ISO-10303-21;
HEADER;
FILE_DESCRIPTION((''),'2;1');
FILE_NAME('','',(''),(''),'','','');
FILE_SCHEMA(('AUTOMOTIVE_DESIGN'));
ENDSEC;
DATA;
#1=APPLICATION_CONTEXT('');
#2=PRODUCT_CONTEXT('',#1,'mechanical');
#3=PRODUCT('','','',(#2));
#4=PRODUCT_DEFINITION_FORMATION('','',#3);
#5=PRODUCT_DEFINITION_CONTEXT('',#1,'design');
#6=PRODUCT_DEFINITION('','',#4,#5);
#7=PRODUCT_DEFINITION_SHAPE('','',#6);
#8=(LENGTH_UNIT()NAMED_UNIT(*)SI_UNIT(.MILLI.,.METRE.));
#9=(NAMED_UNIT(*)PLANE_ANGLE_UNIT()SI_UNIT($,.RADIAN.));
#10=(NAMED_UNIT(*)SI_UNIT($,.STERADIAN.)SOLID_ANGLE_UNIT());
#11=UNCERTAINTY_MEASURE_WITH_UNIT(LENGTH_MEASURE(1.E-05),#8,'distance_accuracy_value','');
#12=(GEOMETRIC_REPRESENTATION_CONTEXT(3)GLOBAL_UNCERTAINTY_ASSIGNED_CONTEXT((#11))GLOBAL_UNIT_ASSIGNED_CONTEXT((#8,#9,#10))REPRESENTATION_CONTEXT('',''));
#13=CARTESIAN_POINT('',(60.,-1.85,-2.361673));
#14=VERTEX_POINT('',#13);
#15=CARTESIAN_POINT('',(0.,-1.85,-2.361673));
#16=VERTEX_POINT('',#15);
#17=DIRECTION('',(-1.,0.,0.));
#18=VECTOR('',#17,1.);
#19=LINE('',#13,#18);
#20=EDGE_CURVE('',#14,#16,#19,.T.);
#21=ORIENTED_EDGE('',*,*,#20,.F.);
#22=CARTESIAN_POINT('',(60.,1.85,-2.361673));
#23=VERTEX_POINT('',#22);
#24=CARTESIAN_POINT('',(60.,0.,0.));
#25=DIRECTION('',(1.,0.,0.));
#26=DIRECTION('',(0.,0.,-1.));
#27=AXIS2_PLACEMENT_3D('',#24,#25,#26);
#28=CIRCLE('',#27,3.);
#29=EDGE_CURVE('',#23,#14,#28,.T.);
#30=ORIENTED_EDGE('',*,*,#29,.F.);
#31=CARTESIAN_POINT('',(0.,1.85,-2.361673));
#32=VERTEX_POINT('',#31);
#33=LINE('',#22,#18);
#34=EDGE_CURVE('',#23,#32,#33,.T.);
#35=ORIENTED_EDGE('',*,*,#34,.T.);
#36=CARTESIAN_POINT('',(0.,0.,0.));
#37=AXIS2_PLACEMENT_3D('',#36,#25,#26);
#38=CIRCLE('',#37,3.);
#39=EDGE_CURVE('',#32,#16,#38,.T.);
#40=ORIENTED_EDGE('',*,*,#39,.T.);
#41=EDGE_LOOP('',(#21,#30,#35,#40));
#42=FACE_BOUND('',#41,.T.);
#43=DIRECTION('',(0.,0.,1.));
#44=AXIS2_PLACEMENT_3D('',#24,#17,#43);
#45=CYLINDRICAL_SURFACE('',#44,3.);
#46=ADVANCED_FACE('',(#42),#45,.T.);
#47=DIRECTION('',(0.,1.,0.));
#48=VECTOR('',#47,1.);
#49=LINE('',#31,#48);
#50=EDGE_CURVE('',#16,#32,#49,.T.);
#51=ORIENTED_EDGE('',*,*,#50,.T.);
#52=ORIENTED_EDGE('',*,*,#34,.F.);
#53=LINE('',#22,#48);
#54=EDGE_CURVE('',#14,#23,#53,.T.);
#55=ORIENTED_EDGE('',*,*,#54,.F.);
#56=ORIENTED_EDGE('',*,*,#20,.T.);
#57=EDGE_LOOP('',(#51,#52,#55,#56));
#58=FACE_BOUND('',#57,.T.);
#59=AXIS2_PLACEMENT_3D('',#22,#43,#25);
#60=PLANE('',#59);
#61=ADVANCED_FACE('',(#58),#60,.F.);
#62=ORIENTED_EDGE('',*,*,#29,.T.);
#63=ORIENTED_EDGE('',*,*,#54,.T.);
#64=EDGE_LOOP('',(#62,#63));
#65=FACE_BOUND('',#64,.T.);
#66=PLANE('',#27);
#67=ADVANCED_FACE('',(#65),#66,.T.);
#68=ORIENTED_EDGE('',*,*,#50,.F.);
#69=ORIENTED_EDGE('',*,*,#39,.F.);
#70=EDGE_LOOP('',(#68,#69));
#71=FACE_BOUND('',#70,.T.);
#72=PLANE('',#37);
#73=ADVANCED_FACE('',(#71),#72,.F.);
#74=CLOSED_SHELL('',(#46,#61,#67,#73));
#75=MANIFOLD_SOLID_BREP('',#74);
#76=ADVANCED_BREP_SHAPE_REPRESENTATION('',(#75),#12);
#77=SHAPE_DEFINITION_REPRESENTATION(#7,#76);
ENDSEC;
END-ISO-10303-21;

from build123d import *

# Parameters (mm, degrees)
BOSS_EXTRUDE1_DEPTH = 60


with BuildPart() as part:
    # Sketch1 → Boss-Extrude1 (new body)
    with BuildSketch(Plane(origin=(0, 0, 0), x_dir=(0, 0, -1), z_dir=(1, 0, 0))):
        with BuildLine():
            Line((2.361673136, 1.85), (2.361673136, -1.85))
            ThreePointArc((2.361673136, -1.85), (-3, 0), (2.361673136, 1.85))
        make_face()
    extrude(amount=BOSS_EXTRUDE1_DEPTH)


solid = part.part
